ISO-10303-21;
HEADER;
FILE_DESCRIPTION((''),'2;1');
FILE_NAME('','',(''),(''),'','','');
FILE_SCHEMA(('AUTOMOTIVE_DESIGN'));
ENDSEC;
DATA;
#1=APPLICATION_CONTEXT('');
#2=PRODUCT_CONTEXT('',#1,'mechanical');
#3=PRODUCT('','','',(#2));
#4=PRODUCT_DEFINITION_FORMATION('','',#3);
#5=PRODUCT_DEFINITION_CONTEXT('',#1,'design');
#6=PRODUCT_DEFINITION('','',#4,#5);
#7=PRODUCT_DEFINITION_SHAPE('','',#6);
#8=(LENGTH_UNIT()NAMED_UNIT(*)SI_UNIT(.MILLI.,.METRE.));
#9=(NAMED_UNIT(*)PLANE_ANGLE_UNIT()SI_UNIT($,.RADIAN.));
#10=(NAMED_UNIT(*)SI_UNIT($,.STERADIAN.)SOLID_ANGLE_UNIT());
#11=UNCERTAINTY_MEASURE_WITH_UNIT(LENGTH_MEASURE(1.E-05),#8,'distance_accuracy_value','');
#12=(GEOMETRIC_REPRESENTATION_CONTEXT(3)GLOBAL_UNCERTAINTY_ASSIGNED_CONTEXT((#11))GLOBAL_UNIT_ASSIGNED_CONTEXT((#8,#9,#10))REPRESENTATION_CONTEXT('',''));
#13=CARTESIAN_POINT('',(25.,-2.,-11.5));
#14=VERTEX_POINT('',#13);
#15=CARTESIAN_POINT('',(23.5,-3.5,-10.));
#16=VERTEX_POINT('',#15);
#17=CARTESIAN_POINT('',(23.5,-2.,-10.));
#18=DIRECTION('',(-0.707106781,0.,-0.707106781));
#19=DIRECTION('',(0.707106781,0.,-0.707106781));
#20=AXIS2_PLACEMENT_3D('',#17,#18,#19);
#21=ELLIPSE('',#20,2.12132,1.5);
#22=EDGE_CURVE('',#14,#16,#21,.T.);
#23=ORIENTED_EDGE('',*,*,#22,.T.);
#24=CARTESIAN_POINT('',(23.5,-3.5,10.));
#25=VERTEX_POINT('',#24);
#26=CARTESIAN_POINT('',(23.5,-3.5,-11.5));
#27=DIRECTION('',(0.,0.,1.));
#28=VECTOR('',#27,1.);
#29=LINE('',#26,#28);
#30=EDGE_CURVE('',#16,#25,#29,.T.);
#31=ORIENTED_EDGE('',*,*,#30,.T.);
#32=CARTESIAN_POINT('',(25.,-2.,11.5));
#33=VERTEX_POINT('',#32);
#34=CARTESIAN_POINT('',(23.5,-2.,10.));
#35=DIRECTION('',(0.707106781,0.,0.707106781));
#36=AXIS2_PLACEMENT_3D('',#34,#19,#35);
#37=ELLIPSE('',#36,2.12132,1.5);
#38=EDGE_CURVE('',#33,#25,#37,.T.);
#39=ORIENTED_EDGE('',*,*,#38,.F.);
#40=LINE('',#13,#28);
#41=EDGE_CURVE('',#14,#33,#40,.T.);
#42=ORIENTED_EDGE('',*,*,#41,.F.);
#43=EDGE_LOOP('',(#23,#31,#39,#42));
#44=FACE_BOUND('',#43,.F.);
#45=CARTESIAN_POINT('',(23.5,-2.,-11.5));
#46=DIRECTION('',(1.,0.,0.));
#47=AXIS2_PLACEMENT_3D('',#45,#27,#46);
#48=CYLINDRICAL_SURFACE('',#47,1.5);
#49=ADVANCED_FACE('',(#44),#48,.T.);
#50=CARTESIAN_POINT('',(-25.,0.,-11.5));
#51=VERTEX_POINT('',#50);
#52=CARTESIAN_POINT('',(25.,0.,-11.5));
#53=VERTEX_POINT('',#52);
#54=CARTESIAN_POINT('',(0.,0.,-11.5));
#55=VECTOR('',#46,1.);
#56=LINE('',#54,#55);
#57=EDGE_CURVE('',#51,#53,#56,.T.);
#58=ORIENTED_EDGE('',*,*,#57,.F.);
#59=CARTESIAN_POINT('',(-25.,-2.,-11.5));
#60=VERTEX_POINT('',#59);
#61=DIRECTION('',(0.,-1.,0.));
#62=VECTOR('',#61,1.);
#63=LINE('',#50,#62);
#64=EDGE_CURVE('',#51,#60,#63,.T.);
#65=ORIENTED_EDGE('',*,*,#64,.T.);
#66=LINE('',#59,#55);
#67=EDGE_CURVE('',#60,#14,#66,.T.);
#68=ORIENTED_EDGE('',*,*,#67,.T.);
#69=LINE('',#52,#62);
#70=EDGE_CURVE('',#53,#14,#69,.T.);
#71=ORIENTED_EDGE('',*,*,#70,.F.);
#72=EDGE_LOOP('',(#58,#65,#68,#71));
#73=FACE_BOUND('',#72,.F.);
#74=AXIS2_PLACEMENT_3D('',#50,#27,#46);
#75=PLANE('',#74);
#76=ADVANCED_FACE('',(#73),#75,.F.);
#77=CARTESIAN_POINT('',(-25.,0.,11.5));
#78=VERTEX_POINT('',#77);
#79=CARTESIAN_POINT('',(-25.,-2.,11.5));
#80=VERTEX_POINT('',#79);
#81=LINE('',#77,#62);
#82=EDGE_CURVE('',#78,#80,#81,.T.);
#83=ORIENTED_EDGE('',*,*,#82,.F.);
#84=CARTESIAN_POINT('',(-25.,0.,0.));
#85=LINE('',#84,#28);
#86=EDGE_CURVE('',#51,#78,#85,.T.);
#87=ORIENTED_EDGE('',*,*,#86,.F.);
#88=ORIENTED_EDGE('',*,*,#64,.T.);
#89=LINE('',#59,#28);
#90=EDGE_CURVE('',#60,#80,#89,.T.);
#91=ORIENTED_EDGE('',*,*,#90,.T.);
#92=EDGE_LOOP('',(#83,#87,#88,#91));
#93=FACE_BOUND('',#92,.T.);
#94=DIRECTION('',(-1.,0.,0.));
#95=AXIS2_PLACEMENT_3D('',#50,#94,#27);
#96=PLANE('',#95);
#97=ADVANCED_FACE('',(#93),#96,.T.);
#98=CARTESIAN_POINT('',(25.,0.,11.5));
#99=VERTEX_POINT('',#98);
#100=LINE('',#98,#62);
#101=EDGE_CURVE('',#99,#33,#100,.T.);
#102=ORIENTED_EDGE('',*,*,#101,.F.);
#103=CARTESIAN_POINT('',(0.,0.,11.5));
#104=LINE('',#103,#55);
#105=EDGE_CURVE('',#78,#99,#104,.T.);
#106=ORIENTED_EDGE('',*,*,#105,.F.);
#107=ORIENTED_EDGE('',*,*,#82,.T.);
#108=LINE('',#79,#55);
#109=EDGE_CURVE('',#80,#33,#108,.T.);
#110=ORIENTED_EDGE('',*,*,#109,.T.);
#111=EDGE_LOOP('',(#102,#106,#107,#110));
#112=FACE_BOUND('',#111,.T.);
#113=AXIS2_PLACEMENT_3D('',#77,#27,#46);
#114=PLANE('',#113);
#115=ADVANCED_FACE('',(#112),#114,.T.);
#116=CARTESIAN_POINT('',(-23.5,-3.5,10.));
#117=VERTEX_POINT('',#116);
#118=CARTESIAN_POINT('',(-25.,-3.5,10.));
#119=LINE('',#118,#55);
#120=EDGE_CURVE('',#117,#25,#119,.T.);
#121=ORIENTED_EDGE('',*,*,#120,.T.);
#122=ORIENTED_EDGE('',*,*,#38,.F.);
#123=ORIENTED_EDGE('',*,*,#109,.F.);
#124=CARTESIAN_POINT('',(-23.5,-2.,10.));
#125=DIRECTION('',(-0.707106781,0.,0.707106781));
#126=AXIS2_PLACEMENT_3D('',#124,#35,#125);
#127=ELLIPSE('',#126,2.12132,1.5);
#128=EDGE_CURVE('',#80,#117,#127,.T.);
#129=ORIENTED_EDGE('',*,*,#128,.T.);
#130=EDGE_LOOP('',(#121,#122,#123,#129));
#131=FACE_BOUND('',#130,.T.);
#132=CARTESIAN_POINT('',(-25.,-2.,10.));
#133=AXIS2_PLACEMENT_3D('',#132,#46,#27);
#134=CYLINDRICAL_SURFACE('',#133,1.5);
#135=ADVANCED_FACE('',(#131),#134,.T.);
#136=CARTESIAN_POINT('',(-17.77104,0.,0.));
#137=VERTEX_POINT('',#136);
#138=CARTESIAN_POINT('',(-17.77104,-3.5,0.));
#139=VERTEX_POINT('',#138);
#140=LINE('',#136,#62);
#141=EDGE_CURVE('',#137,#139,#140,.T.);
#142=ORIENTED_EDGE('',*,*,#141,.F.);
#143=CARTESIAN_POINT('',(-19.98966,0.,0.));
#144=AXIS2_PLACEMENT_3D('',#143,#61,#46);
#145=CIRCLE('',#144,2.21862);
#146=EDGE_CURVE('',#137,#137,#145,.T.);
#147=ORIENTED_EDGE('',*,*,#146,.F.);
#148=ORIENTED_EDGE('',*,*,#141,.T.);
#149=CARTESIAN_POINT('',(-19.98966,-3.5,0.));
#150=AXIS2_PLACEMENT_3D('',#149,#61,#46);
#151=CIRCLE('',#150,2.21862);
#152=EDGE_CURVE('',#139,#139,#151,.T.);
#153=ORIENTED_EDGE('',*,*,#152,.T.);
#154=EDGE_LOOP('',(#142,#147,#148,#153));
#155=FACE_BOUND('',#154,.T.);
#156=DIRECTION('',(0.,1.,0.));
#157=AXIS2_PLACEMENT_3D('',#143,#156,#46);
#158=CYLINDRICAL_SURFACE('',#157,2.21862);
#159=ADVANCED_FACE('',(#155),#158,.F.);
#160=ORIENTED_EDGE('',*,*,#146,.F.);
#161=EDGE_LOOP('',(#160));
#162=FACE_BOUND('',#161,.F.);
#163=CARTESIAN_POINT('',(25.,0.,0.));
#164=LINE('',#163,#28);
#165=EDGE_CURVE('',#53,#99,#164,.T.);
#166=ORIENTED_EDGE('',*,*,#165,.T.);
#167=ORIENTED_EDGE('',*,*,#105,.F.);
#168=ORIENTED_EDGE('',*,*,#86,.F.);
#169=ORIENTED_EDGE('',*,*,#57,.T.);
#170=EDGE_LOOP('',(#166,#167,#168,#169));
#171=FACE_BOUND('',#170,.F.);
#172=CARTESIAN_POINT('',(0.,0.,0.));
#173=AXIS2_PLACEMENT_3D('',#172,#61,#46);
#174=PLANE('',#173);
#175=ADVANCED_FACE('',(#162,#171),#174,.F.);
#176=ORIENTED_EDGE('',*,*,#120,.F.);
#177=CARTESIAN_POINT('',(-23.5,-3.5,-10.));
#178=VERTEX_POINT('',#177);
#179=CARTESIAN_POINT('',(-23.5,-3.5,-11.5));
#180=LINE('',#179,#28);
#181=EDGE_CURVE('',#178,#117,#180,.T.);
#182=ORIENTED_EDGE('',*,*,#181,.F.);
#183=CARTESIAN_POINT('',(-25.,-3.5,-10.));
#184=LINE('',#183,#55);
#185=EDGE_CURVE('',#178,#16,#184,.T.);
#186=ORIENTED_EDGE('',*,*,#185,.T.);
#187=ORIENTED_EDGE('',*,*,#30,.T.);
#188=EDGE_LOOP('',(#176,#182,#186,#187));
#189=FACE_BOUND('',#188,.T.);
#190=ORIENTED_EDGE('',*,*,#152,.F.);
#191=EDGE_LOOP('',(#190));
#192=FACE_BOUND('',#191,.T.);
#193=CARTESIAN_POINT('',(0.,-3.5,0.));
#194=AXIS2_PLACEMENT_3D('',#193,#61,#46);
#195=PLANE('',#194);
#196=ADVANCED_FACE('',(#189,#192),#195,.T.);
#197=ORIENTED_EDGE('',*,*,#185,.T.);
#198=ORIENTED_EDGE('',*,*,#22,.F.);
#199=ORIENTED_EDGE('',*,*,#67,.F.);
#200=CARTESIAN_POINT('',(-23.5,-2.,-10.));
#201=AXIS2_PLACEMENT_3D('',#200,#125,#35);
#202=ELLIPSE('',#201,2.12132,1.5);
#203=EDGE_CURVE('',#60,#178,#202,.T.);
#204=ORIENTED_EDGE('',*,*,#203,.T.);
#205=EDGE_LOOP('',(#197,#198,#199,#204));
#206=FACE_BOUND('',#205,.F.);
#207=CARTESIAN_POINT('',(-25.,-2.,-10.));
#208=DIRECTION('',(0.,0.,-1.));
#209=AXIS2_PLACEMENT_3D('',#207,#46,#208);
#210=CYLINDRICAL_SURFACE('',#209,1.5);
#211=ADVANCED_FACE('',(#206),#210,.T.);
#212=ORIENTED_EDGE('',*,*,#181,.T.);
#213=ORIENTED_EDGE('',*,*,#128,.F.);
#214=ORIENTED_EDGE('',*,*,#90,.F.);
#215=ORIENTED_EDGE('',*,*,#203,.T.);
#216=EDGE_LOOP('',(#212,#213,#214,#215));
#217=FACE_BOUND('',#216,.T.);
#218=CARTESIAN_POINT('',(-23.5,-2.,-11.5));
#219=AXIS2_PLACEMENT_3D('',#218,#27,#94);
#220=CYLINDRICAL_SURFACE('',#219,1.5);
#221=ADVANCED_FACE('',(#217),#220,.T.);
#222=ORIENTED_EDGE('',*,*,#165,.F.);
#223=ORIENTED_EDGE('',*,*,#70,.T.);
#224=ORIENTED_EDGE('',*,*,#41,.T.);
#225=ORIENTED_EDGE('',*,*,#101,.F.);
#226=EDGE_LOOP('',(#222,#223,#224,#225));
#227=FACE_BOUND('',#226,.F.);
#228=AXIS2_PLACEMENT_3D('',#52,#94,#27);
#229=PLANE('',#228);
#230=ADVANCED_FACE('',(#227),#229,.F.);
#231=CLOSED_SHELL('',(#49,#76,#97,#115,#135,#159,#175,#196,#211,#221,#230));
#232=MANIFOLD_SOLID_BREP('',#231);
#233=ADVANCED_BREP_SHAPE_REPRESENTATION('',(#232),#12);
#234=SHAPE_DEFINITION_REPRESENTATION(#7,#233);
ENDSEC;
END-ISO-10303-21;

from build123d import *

# Parameters (mm, degrees)
F0_W     = 50
F0_H     = 23
F0_R     = 2.21862
F1_DEPTH = 3.5
F2_R     = 1.5


with BuildPart() as f1:
    # F0 (on Front) → F1 (new body)
    with BuildSketch(Plane.XZ):
        Rectangle(F0_W, F0_H)
        with Locations((-19.98966, 0)):
            Circle(F0_R, mode=Mode.SUBTRACT)
    extrude(amount=F1_DEPTH)

    # F2
    f2_edges = [f1.edges().sort_by_distance(p)[0] for p in [
        (0, -3.5, -11.5),
        (-25, -3.5, 0),
        (25, -3.5, 0),
        (0, -3.5, 11.5),
    ]]
    fillet(f2_edges, radius=F2_R)


solid = f1.part
